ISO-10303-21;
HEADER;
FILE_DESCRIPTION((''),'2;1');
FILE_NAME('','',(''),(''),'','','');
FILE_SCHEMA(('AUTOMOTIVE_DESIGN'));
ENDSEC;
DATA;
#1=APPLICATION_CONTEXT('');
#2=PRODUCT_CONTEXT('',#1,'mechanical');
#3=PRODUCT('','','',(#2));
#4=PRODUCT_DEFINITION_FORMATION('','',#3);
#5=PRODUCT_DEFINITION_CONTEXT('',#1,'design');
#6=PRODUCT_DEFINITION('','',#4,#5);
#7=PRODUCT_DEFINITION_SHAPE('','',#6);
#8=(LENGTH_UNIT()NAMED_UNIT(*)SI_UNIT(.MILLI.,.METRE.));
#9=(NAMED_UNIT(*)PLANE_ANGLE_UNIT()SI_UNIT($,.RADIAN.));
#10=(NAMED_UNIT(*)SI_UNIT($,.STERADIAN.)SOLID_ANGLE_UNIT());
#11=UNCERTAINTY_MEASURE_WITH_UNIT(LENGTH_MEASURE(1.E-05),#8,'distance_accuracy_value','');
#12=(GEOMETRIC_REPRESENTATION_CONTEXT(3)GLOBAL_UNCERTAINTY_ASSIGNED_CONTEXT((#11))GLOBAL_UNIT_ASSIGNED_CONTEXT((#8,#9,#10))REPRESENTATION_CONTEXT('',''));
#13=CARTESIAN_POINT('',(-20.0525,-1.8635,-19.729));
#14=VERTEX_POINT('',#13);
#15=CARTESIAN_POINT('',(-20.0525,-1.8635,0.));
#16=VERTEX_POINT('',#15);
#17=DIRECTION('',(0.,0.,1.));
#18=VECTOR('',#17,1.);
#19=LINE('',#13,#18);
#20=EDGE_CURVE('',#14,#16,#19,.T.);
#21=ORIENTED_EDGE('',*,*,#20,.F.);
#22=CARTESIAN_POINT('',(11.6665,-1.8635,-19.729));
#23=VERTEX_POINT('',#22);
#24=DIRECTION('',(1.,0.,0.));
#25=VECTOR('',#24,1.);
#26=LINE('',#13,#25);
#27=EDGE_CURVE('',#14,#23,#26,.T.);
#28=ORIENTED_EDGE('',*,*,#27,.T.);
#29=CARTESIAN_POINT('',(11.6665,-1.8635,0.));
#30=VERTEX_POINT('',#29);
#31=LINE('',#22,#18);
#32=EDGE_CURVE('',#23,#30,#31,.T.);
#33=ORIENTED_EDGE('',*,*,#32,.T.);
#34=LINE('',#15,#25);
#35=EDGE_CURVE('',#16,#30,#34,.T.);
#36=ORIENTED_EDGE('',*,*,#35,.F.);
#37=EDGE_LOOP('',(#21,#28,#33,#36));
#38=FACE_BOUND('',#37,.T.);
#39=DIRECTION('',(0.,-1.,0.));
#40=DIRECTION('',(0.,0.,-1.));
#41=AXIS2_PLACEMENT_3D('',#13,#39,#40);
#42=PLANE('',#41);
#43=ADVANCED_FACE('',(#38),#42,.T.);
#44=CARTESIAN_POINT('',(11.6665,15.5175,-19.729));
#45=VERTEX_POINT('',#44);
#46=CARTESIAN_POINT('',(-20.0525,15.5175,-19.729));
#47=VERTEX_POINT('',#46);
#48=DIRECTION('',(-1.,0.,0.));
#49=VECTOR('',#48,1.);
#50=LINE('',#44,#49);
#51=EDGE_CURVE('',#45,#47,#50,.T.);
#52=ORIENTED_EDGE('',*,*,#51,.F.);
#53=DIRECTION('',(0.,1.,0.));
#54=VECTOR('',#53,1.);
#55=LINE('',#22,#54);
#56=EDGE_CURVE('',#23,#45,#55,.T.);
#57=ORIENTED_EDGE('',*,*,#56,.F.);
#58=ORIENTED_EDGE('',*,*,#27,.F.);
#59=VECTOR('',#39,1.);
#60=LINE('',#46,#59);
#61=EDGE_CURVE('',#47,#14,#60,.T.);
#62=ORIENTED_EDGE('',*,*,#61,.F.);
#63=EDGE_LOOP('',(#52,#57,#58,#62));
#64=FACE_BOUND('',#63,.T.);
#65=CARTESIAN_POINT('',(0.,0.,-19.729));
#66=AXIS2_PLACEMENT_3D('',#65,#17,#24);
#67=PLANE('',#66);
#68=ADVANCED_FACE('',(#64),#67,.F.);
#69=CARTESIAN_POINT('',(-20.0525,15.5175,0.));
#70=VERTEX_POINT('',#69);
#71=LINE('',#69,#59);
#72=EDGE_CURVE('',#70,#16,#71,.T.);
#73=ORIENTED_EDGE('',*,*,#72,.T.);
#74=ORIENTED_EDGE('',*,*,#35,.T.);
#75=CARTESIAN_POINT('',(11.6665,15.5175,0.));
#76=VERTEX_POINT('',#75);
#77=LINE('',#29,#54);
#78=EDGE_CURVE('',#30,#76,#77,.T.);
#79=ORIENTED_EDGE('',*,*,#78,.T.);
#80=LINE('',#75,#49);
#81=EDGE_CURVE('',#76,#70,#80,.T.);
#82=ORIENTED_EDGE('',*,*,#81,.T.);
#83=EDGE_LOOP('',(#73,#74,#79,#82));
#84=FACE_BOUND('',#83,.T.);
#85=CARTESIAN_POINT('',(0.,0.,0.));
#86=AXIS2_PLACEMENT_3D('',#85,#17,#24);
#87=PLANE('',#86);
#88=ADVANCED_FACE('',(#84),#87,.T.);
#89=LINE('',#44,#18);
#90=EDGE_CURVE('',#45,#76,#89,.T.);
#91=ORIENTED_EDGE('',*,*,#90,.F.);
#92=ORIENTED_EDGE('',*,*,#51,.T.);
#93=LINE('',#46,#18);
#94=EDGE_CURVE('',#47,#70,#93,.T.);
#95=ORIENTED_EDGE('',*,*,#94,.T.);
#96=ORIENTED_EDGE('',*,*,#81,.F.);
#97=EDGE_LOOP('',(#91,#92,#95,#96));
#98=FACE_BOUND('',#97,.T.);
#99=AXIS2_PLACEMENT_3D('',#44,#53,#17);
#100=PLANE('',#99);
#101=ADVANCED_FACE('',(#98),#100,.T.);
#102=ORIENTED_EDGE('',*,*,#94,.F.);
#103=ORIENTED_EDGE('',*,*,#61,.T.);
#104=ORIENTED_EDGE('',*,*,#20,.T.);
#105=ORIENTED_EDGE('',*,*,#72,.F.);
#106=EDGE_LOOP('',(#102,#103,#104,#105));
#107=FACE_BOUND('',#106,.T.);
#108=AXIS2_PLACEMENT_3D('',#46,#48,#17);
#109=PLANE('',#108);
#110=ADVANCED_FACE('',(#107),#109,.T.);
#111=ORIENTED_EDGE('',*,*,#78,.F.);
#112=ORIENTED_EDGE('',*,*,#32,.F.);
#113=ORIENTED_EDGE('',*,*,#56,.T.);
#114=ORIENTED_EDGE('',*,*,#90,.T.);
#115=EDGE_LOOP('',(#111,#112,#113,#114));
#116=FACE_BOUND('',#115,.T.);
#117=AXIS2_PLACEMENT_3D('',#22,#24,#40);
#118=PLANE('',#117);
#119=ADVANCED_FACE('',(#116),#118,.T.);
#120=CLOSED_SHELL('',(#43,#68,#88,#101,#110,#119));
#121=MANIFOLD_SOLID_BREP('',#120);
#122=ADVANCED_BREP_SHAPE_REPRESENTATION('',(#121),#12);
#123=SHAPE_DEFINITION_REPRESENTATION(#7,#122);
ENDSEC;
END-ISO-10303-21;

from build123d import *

# Parameters (mm, degrees)
CURVESKETCH_W   = 31.719
CURVESKETCH_H   = 17.381
CURVEBOSS_DEPTH = 19.729


with BuildPart() as part:
    # CurveSketch → CurveBoss (new body)
    with BuildSketch(Plane.XY):
        with Locations((-4.193, 6.827)):
            Rectangle(CURVESKETCH_W, CURVESKETCH_H)
    extrude(amount=-CURVEBOSS_DEPTH)


solid = part.part
